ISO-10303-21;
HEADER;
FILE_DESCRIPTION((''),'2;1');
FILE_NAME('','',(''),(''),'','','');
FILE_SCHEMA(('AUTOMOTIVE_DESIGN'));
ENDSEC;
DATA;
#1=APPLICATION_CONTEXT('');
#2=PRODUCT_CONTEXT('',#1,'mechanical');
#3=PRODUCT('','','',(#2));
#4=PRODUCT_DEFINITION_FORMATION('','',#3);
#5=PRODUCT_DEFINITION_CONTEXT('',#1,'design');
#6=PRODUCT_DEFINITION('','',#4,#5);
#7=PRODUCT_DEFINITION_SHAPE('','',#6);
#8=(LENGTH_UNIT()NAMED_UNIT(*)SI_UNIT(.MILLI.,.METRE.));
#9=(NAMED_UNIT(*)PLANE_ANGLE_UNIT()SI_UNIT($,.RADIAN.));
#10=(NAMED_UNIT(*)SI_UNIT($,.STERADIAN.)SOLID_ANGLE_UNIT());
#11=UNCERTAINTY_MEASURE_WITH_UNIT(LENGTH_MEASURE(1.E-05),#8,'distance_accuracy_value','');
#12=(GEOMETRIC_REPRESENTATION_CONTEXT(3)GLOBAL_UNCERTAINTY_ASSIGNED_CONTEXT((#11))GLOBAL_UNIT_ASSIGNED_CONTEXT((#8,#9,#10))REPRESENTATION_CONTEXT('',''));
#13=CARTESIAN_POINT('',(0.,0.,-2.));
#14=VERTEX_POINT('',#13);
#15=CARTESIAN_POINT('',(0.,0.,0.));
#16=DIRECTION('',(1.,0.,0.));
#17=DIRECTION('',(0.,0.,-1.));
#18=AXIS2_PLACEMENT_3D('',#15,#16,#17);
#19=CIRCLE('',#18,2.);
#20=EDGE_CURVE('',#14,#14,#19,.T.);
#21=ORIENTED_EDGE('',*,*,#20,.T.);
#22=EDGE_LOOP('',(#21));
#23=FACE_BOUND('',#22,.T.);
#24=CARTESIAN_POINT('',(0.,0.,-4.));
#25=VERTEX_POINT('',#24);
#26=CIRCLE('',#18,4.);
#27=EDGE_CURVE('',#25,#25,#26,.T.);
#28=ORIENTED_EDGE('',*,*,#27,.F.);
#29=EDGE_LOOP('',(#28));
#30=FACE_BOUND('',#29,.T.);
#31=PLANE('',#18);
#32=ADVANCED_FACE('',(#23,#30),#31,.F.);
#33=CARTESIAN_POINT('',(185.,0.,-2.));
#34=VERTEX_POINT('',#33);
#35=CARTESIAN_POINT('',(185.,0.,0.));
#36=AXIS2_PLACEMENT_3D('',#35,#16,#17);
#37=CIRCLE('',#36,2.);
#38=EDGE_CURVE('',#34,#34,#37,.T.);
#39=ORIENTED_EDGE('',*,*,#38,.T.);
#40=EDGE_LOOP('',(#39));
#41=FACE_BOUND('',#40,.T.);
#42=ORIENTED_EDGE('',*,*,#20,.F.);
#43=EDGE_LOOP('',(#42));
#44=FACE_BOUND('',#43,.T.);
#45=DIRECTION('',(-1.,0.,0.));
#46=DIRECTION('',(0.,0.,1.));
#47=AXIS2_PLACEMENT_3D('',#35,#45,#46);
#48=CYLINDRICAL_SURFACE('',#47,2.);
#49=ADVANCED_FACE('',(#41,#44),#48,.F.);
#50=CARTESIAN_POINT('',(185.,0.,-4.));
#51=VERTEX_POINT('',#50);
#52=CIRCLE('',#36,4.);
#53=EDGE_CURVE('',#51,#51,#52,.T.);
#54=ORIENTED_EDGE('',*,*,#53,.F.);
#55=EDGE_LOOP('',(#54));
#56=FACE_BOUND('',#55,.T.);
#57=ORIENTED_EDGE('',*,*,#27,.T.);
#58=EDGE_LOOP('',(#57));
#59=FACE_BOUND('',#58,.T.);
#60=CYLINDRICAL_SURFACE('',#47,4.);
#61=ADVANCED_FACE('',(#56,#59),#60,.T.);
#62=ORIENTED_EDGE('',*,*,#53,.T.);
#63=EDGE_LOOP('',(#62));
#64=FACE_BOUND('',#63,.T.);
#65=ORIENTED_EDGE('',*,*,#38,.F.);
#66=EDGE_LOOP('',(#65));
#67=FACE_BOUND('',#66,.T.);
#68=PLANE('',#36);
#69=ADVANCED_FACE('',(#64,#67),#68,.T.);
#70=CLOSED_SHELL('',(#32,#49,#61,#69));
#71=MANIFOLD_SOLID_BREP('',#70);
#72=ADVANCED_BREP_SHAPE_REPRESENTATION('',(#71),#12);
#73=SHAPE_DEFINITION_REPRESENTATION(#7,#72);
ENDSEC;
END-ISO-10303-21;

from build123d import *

# Parameters (mm, degrees)
SKETCH_1_R      = 4
SKETCH_1_R_2    = 2
EXTRUDE_1_DEPTH = 185


with BuildPart() as part:
    # 草图1 → 凸台-拉伸1 (new body)
    with BuildSketch(Plane(origin=(0, 0, 0), x_dir=(0, 0, -1), z_dir=(1, 0, 0))):
        Circle(SKETCH_1_R)
        Circle(SKETCH_1_R_2, mode=Mode.SUBTRACT)
    extrude(amount=EXTRUDE_1_DEPTH)


solid = part.part
